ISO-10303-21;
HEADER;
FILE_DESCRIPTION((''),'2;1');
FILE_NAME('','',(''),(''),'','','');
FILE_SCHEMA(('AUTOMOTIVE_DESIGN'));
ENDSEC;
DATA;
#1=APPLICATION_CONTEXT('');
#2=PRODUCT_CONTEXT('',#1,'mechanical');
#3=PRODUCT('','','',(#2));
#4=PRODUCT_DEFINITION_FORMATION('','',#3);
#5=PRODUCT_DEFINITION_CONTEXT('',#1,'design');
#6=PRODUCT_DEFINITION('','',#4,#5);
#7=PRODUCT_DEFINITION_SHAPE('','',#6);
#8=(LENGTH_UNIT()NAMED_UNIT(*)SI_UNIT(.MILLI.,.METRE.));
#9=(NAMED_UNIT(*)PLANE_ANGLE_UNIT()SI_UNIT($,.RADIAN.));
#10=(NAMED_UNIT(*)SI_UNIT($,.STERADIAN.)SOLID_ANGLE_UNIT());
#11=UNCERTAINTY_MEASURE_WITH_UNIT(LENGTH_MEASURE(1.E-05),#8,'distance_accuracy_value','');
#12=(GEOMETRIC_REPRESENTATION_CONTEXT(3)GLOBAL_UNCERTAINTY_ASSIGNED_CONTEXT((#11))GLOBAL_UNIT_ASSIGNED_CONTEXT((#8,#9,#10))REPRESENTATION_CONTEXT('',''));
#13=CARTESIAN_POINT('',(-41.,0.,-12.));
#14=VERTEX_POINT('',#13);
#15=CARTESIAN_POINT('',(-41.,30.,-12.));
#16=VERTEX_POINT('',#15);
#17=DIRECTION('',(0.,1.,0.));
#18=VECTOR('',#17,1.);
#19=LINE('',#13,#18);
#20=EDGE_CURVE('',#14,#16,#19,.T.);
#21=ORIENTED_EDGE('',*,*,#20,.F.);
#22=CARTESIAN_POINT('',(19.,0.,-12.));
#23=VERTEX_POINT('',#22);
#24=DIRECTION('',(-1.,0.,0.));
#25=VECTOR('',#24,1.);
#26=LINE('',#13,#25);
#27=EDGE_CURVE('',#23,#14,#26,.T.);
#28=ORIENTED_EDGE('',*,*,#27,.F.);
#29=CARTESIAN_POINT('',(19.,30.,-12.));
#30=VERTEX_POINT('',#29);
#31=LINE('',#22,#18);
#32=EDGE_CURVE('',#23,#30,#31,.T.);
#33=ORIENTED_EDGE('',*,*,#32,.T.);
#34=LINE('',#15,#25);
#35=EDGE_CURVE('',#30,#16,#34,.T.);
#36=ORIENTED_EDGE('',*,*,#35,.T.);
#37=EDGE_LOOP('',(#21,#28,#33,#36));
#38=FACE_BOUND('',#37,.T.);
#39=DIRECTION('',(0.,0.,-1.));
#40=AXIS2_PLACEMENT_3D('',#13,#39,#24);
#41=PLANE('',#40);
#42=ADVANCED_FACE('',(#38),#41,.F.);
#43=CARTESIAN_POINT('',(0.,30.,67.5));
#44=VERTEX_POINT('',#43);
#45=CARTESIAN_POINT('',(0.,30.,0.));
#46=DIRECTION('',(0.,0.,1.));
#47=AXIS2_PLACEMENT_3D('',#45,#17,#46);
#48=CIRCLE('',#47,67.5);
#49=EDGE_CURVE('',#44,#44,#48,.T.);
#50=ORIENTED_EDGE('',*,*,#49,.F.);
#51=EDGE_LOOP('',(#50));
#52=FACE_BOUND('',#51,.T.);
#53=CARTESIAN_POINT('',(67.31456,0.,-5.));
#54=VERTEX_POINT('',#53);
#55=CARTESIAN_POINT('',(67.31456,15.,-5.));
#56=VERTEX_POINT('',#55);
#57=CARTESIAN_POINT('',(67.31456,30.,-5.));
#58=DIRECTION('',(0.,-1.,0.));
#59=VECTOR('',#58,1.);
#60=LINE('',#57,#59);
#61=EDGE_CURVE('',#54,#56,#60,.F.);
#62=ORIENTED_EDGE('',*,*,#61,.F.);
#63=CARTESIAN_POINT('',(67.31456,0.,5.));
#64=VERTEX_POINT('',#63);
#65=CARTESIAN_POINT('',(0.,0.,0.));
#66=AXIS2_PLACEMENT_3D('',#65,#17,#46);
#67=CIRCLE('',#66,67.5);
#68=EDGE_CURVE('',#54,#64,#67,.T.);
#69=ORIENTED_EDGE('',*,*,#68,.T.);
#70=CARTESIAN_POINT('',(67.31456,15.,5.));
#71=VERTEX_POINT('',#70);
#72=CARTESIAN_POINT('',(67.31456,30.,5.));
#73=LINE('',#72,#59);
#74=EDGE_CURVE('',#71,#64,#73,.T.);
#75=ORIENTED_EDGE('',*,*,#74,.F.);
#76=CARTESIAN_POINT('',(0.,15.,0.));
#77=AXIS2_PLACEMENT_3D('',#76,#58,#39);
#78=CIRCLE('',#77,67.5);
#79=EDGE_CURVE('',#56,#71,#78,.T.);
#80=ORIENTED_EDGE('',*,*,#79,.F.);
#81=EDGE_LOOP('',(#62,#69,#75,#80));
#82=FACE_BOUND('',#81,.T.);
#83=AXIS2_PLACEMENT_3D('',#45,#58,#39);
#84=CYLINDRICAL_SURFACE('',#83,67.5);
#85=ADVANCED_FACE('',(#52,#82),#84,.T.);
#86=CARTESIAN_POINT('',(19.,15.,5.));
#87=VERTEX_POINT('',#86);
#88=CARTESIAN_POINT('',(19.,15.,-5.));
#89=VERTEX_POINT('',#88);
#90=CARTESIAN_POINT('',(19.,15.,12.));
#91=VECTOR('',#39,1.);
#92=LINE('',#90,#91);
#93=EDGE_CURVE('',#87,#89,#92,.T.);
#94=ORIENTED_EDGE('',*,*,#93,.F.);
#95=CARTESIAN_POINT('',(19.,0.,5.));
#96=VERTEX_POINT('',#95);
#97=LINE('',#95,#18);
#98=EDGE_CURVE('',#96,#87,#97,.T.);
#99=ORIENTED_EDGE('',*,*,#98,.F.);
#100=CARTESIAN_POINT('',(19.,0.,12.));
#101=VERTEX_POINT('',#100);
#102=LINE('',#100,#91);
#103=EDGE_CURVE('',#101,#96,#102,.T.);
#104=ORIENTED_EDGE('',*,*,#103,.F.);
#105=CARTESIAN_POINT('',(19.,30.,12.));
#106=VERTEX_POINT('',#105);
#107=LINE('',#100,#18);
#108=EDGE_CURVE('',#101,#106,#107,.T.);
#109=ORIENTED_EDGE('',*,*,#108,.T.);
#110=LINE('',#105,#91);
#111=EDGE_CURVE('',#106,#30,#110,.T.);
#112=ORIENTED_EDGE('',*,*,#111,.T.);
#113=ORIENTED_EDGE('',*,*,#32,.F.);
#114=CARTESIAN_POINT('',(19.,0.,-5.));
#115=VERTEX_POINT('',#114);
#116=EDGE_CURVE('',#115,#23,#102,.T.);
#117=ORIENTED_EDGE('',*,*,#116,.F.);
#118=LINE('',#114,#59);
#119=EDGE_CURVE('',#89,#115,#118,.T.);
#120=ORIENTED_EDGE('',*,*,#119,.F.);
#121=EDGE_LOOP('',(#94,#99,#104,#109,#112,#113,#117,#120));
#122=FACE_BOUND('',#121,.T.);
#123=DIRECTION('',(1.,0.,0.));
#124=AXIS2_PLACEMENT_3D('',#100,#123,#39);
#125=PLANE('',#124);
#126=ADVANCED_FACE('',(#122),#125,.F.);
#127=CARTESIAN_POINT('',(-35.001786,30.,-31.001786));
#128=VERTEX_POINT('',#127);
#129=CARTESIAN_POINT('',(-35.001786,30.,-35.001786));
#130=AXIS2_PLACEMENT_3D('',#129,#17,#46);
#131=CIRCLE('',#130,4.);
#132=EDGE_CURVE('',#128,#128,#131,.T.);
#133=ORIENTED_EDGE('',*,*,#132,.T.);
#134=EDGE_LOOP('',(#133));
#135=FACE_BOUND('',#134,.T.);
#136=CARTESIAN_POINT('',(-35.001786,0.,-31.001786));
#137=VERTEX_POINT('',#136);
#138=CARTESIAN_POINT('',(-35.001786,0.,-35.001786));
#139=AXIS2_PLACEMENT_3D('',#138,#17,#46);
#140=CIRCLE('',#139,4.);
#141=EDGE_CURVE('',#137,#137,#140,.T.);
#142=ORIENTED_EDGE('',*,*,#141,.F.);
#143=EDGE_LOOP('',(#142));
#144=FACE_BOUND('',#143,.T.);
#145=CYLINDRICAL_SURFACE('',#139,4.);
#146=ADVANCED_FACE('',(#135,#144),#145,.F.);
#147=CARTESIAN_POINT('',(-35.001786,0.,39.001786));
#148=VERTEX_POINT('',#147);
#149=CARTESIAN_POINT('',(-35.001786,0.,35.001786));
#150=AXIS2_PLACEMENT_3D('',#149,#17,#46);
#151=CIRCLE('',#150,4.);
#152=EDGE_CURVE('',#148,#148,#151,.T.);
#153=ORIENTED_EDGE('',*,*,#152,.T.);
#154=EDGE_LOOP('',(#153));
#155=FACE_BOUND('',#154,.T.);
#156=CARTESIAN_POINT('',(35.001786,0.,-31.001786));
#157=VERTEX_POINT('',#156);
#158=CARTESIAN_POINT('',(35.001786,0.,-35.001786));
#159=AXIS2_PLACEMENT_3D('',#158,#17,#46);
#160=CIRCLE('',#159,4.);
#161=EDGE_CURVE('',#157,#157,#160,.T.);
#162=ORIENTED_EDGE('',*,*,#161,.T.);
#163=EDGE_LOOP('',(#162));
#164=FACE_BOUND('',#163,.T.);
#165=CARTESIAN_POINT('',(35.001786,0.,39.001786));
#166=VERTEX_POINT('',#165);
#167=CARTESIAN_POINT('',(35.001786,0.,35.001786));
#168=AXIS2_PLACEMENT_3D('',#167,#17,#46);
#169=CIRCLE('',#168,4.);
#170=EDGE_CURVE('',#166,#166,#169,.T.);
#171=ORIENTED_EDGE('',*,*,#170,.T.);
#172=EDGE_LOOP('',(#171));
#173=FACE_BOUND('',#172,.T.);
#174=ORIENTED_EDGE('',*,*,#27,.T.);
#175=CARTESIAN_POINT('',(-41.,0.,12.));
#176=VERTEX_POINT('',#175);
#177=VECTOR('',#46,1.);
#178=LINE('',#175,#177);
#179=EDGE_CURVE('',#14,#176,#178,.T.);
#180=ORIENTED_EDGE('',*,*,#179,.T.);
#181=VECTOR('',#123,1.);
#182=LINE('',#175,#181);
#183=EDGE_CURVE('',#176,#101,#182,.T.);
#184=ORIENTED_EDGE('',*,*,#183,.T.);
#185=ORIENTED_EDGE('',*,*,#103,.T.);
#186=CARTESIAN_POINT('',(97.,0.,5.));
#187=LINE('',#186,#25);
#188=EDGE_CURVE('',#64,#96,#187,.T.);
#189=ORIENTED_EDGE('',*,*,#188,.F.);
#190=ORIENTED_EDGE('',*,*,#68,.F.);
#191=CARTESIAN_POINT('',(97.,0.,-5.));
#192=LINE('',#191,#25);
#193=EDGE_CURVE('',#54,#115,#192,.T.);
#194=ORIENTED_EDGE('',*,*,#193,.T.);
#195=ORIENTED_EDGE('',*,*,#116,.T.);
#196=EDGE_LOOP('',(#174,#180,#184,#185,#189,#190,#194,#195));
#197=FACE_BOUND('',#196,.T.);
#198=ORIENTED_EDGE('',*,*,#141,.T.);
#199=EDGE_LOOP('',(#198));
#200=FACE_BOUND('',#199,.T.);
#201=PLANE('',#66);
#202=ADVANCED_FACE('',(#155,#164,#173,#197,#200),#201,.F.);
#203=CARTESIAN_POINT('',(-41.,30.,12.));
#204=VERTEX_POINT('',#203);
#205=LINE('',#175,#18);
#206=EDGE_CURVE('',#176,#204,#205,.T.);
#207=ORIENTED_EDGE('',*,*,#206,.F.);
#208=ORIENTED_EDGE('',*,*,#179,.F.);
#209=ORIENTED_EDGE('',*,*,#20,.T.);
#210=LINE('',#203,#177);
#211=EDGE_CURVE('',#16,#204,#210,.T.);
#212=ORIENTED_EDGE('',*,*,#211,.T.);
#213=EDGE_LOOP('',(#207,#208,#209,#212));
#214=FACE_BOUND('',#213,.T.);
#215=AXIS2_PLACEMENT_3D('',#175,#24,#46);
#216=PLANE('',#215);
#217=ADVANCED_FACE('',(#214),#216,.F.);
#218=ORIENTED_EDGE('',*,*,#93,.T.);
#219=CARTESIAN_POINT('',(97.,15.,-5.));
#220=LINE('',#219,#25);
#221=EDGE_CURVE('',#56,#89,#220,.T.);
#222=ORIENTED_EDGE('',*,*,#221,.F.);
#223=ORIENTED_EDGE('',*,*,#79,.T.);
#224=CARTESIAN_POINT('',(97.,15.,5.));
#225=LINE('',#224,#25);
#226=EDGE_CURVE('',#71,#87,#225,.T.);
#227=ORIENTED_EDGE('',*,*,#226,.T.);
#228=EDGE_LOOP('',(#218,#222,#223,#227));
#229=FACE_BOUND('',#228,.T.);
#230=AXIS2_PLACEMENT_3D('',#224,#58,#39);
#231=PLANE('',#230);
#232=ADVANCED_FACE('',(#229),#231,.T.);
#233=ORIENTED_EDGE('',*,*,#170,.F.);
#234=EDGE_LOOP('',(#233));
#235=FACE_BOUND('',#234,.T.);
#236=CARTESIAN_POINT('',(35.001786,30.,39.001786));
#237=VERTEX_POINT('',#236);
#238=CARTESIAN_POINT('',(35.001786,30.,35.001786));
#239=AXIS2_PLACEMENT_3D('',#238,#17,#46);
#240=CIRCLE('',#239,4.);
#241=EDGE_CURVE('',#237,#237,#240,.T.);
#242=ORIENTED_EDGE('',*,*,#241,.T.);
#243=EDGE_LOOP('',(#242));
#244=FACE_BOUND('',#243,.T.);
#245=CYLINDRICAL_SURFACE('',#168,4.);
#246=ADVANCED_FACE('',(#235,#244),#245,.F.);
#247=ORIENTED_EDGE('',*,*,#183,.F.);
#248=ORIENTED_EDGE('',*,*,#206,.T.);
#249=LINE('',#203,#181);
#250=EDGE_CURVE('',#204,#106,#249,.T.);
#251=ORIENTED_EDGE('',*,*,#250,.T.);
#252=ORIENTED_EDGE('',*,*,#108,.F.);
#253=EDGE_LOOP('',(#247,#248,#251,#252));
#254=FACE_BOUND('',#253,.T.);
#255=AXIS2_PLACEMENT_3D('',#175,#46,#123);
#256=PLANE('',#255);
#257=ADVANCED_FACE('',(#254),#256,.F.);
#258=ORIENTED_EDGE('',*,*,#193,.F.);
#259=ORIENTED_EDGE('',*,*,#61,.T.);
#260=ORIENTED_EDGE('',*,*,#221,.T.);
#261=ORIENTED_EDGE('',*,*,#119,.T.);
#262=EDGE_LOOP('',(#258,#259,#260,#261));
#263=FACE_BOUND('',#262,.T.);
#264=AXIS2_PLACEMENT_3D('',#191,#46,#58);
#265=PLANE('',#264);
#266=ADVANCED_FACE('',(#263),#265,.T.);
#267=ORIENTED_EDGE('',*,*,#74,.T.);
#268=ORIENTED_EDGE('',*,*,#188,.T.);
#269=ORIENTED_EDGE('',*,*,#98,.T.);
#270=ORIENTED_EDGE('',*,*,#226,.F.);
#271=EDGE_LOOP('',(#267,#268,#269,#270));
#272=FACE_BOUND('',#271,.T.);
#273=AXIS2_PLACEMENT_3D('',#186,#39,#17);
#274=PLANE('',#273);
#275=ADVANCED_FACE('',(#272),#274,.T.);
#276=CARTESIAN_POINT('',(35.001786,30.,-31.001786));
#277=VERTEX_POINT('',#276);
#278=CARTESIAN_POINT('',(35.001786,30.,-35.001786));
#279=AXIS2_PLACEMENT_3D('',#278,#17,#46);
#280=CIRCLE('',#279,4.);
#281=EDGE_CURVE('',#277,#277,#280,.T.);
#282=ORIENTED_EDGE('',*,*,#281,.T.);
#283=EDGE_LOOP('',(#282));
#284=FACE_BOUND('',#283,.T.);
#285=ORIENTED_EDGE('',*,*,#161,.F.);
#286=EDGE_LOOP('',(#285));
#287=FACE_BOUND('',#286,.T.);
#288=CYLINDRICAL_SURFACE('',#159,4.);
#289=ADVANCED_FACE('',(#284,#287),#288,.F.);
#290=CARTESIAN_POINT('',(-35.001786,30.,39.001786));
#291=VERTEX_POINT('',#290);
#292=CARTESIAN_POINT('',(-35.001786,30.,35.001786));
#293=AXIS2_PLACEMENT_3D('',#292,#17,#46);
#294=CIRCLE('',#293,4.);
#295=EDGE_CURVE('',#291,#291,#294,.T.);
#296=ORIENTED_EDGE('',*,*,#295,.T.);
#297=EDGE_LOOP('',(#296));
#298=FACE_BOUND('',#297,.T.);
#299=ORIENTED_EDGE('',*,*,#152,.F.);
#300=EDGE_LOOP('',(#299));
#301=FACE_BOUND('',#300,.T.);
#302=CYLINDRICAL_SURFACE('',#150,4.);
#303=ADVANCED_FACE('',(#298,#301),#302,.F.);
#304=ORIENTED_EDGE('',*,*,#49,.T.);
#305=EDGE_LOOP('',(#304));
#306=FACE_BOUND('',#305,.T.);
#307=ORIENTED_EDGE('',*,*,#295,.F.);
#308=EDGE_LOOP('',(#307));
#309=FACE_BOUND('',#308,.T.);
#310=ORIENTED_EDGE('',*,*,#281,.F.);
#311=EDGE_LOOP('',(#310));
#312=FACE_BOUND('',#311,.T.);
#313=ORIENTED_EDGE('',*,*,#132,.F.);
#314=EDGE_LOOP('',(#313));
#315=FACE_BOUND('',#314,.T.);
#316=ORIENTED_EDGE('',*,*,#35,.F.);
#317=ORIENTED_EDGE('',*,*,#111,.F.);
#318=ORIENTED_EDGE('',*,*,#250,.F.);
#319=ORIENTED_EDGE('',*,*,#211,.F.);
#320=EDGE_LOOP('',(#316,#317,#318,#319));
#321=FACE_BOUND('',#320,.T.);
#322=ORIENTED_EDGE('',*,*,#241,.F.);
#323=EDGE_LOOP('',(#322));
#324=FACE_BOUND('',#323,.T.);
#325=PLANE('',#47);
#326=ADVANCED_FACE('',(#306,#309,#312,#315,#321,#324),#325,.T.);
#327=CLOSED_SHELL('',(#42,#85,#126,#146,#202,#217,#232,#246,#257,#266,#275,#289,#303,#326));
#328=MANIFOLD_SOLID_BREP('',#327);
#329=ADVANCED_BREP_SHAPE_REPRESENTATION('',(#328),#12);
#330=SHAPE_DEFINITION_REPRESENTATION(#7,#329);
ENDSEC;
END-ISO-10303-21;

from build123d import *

# Parameters (mm, degrees)
SKETCH_1_R          = 67.5
EXTRUDE_1_DEPTH     = 30
SKETCH_2_W          = 60
SKETCH_2_H          = 24
CUT_EXTRUDE_1_DEPTH = 101.062480481
SKETCH_3_W          = 10
SKETCH_3_H          = 15
CUT_EXTRUDE_2_DEPTH = 97
SKETCH_4_R          = 4
CUT_EXTRUDE_3_DEPTH = 101.062480481


with BuildPart() as part:
    # 草图1 → 凸台-拉伸1 (new body)
    with BuildSketch(Plane(origin=(0, 0, 0), x_dir=(1, 0, 0), z_dir=(0, 1, 0))):
        with Locations(Location((0, 0, 0), (0, 0, 270))):
            Circle(SKETCH_1_R)
    extrude(amount=EXTRUDE_1_DEPTH)

    # 草图2 → 切除-拉伸1 (cut, through all)
    with BuildSketch(Plane(origin=(0, 30, 0), x_dir=(1, 0, 0), z_dir=(0, 1, 0))):
        with Locations((-11, 0)):
            Rectangle(SKETCH_2_W, SKETCH_2_H)
    extrude(amount=-CUT_EXTRUDE_1_DEPTH, mode=Mode.SUBTRACT)

    # 草图3 → 切除-拉伸2 (cut)
    with BuildSketch(Plane(origin=(0, 0, 0), x_dir=(0, 0, -1), z_dir=(1, 0, 0))):
        with Locations((0, 7.5)):
            Rectangle(SKETCH_3_W, SKETCH_3_H)
    extrude(amount=CUT_EXTRUDE_2_DEPTH, mode=Mode.SUBTRACT)

    # 草图4 → 切除-拉伸3 (cut, through all)
    with BuildSketch(Plane(origin=(0, 30, 0), x_dir=(1, 0, 0), z_dir=(0, 1, 0))):
        with Locations(Location((35.001785669, 35.001785669, 0), (0, 0, 270))):
            Circle(SKETCH_4_R)
        with Locations(Location((35.001785669, -35.001785669, 0), (0, 0, 270))):
            Circle(SKETCH_4_R)
        with Locations(Location((-35.001785669, -35.001785669, 0), (0, 0, 270))):
            Circle(SKETCH_4_R)
        with Locations(Location((-35.001785669, 35.001785669, 0), (0, 0, 270))):
            Circle(SKETCH_4_R)
    extrude(amount=-CUT_EXTRUDE_3_DEPTH, mode=Mode.SUBTRACT)


solid = part.part
